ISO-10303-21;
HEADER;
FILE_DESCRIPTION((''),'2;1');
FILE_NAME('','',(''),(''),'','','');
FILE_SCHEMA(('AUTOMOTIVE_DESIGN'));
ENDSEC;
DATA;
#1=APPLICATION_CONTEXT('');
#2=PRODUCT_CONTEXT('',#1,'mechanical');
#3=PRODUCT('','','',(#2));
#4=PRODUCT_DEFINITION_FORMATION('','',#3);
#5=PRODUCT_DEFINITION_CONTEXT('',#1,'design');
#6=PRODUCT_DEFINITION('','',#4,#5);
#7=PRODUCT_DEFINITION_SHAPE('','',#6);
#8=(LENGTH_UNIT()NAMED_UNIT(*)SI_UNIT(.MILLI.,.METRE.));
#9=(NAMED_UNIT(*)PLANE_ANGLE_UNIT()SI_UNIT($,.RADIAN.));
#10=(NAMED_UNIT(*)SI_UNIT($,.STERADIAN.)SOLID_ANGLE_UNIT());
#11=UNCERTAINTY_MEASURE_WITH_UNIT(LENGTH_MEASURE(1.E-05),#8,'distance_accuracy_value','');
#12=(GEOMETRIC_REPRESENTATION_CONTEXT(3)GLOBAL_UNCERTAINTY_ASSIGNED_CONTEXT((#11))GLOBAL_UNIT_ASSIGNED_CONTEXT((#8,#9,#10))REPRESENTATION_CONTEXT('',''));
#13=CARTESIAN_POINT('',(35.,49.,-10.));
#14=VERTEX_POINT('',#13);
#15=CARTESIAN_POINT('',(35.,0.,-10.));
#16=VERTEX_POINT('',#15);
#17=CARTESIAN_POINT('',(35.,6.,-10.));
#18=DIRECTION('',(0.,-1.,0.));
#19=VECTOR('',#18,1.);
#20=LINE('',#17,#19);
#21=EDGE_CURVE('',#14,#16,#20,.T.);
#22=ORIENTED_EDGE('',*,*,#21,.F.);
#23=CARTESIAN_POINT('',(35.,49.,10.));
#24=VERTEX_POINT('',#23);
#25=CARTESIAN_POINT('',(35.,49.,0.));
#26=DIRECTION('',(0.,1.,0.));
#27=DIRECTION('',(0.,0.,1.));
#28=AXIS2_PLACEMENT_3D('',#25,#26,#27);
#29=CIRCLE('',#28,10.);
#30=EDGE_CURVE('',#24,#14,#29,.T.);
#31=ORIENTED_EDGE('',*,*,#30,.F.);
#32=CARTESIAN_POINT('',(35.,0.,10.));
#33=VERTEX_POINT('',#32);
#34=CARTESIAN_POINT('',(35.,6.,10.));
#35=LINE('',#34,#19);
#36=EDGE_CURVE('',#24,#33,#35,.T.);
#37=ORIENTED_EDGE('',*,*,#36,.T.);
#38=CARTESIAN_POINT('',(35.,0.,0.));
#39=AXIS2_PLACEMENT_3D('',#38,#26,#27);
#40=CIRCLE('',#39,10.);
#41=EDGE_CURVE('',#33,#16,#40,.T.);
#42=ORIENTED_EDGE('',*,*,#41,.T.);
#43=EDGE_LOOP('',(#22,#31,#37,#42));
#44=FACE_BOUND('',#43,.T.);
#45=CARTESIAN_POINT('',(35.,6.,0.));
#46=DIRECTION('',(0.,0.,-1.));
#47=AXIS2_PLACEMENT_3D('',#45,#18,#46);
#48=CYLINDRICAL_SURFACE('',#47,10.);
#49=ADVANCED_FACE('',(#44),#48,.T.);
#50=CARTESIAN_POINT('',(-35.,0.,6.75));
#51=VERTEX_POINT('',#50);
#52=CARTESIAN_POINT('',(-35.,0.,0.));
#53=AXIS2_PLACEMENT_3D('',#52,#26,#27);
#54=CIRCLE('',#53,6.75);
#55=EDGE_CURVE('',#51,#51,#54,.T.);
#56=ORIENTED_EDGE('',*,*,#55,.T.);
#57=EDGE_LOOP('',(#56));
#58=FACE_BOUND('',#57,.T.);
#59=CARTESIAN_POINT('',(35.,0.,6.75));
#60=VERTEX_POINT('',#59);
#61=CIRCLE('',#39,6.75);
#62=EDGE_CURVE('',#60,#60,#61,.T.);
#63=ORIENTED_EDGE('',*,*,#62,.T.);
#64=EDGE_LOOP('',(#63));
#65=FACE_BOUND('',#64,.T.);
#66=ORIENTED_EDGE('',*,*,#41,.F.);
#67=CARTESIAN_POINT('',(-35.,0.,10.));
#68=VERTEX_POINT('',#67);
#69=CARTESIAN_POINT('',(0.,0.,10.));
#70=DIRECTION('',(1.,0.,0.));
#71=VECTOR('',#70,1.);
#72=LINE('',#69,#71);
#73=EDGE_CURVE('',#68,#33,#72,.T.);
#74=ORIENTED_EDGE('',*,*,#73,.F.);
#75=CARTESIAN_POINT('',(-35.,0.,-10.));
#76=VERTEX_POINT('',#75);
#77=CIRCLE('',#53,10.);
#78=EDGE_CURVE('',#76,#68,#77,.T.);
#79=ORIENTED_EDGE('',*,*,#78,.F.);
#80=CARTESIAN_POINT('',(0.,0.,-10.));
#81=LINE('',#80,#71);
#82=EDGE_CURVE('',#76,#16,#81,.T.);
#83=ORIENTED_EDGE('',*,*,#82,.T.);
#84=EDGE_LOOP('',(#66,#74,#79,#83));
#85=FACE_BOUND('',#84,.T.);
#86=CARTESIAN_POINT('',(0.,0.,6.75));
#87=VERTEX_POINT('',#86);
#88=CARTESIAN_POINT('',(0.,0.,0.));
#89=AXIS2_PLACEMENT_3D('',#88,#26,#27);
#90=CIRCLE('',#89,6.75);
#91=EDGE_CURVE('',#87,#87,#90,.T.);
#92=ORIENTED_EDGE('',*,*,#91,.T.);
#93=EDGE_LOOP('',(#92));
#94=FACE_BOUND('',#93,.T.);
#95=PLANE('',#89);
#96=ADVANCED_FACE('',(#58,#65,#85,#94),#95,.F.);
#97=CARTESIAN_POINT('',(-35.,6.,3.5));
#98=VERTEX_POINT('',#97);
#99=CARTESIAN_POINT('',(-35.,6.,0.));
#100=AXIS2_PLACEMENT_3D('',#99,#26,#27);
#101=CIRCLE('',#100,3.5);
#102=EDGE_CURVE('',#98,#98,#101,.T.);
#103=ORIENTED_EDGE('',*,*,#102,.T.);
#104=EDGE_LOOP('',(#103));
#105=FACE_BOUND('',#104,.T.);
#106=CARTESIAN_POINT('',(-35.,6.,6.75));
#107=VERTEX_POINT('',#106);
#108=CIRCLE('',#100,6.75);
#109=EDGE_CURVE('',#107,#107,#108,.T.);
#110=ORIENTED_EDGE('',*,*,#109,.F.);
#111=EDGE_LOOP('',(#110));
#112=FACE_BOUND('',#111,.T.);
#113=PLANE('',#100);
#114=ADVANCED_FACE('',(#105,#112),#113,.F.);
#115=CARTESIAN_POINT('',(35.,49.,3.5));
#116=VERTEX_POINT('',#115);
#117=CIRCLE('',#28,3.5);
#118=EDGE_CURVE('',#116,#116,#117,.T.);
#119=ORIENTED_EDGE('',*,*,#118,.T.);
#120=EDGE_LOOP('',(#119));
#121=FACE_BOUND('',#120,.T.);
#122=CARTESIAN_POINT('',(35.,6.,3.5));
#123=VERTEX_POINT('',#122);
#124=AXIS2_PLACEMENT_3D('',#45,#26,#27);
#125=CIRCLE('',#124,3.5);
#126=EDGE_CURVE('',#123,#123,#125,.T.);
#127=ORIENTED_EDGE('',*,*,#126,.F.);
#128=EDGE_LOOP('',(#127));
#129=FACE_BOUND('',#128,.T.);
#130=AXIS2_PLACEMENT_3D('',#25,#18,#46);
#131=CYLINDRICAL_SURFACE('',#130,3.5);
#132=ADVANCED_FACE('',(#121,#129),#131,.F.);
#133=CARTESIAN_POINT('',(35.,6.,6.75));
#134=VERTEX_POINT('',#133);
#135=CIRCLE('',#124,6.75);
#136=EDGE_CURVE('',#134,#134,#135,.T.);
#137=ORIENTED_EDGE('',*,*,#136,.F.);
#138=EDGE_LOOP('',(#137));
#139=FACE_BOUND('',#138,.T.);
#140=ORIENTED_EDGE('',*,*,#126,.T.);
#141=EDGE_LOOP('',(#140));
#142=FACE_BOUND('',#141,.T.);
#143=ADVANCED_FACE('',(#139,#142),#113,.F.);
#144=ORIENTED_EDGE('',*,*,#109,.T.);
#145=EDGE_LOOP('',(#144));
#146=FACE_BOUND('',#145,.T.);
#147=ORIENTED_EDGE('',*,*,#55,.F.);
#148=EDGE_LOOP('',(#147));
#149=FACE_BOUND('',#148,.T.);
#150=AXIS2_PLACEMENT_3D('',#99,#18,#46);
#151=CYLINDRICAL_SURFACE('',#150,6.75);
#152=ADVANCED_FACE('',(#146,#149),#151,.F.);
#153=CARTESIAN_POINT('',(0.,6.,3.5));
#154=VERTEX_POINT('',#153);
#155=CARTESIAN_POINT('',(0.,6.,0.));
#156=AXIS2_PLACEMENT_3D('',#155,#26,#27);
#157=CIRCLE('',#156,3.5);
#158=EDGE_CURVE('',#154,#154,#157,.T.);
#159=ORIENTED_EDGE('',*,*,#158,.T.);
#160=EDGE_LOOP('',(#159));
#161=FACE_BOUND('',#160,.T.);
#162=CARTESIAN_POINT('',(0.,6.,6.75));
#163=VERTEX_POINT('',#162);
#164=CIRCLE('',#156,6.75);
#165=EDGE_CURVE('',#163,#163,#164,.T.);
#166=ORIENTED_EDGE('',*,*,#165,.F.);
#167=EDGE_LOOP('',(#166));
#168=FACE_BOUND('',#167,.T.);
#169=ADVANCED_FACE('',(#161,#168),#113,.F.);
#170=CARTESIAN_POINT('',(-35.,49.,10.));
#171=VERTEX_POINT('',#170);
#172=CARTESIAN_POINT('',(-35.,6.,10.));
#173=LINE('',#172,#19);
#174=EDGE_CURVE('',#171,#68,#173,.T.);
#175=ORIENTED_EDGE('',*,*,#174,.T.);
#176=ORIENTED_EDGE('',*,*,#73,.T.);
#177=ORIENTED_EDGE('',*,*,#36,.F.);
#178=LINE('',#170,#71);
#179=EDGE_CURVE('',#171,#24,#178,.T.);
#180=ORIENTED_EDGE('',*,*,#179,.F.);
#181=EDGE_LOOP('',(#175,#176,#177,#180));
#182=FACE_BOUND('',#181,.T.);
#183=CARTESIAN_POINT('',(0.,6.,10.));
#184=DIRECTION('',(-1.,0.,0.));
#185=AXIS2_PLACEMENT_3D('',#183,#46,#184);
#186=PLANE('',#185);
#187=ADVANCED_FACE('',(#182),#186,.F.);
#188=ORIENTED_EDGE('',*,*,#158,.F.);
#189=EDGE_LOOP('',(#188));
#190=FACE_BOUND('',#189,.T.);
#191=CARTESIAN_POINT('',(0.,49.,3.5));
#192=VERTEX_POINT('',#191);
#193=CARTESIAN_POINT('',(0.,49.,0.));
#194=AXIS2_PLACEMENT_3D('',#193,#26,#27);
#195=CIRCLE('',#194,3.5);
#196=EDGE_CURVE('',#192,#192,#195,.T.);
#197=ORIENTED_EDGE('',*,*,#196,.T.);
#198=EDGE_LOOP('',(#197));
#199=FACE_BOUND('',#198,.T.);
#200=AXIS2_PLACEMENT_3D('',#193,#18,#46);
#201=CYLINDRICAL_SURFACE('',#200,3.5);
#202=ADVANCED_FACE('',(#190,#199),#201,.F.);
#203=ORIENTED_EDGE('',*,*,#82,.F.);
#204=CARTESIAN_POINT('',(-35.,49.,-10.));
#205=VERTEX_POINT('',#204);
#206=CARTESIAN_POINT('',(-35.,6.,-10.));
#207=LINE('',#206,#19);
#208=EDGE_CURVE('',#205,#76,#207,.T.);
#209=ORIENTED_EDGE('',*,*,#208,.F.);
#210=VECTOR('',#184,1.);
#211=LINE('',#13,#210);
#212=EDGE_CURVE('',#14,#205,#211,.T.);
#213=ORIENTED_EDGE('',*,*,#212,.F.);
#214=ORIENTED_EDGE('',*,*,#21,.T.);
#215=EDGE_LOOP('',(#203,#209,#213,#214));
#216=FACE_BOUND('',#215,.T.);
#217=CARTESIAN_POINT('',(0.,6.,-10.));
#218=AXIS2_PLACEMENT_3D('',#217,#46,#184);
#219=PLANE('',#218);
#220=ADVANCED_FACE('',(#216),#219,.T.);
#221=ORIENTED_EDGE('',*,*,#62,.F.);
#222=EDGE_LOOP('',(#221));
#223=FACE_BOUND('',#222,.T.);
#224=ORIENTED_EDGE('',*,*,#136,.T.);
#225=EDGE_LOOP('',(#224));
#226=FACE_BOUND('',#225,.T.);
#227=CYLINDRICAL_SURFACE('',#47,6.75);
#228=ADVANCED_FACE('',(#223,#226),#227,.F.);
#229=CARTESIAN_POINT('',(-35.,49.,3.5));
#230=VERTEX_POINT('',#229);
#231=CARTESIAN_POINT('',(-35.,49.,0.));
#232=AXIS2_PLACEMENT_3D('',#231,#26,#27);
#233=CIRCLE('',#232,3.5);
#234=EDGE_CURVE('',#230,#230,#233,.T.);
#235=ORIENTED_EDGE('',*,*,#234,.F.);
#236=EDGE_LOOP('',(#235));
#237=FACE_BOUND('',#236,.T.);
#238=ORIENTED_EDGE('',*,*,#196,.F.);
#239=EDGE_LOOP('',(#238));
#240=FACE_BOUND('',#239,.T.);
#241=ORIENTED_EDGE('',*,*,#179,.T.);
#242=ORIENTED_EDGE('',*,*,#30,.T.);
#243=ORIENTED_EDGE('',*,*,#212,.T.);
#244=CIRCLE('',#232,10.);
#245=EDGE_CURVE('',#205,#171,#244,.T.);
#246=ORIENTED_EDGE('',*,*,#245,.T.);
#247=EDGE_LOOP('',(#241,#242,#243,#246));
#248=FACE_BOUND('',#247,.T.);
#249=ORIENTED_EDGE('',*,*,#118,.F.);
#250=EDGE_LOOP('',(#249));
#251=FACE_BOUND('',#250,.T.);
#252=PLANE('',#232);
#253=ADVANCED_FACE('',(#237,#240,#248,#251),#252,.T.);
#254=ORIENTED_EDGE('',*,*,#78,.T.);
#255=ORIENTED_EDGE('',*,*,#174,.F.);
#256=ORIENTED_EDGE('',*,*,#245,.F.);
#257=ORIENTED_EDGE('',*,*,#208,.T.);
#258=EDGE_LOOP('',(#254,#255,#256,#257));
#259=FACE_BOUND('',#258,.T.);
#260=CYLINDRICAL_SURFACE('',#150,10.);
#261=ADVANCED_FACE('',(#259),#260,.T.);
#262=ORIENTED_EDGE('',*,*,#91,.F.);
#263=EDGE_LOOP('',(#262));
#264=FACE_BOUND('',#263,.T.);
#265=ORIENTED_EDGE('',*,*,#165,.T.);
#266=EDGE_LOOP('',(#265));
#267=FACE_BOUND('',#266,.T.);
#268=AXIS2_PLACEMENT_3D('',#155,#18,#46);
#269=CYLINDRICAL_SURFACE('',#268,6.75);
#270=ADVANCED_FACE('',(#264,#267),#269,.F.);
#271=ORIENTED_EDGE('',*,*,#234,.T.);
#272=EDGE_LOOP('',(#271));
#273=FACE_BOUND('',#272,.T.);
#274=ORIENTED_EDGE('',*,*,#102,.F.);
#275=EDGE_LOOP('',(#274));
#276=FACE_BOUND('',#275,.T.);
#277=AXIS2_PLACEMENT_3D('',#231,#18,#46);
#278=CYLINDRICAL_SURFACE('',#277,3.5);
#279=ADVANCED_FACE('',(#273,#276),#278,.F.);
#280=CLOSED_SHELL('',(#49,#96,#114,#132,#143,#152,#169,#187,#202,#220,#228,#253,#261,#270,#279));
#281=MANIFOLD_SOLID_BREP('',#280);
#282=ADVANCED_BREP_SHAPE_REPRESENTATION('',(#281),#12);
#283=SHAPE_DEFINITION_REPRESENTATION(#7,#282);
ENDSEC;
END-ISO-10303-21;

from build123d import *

# Parameters (mm, degrees)
SKETCH1_R           = 6.75
BOSS_EXTRUDE1_DEPTH = 6
SKETCH2_R           = 3.5
BOSS_EXTRUDE2_DEPTH = 43


with BuildPart() as part:
    # Sketch1 → Boss-Extrude1 (new body)
    with BuildSketch(Plane(origin=(0, 0, 0), x_dir=(1, 0, 0), z_dir=(0, 1, 0))):
        with BuildLine():
            Line((-35, 10), (35, 10))
            ThreePointArc((35, 10), (45, 0), (35, -10))
            Line((35, -10), (-35, -10))
            ThreePointArc((-35, -10), (-45, 0), (-35, 10))
        make_face()
        with Locations(Location((0, 0, 0), (0, 0, 270))):
            Circle(SKETCH1_R, mode=Mode.SUBTRACT)
        with Locations(Location((35, 0, 0), (0, 0, 270))):
            Circle(SKETCH1_R, mode=Mode.SUBTRACT)
        with Locations(Location((-35, 0, 0), (0, 0, 270))):
            Circle(SKETCH1_R, mode=Mode.SUBTRACT)
    extrude(amount=BOSS_EXTRUDE1_DEPTH)

    # Sketch2 → Boss-Extrude2 (add)
    with BuildSketch(Plane(origin=(0, 6, 0), x_dir=(1, 0, 0), z_dir=(0, 1, 0))):
        with BuildLine():
            Line((-35, -10), (35, -10))
            ThreePointArc((35, -10), (45, 0), (35, 10))
            Line((35, 10), (-35, 10))
            ThreePointArc((-35, 10), (-45, 0), (-35, -10))
        make_face()
        with Locations(Location((-35, 0, 0), (0, 0, 270))):
            Circle(SKETCH2_R, mode=Mode.SUBTRACT)
        with Locations(Location((0, 0, 0), (0, 0, 270))):
            Circle(SKETCH2_R, mode=Mode.SUBTRACT)
        with Locations(Location((35, 0, 0), (0, 0, 270))):
            Circle(SKETCH2_R, mode=Mode.SUBTRACT)
    extrude(amount=BOSS_EXTRUDE2_DEPTH)


solid = part.part
